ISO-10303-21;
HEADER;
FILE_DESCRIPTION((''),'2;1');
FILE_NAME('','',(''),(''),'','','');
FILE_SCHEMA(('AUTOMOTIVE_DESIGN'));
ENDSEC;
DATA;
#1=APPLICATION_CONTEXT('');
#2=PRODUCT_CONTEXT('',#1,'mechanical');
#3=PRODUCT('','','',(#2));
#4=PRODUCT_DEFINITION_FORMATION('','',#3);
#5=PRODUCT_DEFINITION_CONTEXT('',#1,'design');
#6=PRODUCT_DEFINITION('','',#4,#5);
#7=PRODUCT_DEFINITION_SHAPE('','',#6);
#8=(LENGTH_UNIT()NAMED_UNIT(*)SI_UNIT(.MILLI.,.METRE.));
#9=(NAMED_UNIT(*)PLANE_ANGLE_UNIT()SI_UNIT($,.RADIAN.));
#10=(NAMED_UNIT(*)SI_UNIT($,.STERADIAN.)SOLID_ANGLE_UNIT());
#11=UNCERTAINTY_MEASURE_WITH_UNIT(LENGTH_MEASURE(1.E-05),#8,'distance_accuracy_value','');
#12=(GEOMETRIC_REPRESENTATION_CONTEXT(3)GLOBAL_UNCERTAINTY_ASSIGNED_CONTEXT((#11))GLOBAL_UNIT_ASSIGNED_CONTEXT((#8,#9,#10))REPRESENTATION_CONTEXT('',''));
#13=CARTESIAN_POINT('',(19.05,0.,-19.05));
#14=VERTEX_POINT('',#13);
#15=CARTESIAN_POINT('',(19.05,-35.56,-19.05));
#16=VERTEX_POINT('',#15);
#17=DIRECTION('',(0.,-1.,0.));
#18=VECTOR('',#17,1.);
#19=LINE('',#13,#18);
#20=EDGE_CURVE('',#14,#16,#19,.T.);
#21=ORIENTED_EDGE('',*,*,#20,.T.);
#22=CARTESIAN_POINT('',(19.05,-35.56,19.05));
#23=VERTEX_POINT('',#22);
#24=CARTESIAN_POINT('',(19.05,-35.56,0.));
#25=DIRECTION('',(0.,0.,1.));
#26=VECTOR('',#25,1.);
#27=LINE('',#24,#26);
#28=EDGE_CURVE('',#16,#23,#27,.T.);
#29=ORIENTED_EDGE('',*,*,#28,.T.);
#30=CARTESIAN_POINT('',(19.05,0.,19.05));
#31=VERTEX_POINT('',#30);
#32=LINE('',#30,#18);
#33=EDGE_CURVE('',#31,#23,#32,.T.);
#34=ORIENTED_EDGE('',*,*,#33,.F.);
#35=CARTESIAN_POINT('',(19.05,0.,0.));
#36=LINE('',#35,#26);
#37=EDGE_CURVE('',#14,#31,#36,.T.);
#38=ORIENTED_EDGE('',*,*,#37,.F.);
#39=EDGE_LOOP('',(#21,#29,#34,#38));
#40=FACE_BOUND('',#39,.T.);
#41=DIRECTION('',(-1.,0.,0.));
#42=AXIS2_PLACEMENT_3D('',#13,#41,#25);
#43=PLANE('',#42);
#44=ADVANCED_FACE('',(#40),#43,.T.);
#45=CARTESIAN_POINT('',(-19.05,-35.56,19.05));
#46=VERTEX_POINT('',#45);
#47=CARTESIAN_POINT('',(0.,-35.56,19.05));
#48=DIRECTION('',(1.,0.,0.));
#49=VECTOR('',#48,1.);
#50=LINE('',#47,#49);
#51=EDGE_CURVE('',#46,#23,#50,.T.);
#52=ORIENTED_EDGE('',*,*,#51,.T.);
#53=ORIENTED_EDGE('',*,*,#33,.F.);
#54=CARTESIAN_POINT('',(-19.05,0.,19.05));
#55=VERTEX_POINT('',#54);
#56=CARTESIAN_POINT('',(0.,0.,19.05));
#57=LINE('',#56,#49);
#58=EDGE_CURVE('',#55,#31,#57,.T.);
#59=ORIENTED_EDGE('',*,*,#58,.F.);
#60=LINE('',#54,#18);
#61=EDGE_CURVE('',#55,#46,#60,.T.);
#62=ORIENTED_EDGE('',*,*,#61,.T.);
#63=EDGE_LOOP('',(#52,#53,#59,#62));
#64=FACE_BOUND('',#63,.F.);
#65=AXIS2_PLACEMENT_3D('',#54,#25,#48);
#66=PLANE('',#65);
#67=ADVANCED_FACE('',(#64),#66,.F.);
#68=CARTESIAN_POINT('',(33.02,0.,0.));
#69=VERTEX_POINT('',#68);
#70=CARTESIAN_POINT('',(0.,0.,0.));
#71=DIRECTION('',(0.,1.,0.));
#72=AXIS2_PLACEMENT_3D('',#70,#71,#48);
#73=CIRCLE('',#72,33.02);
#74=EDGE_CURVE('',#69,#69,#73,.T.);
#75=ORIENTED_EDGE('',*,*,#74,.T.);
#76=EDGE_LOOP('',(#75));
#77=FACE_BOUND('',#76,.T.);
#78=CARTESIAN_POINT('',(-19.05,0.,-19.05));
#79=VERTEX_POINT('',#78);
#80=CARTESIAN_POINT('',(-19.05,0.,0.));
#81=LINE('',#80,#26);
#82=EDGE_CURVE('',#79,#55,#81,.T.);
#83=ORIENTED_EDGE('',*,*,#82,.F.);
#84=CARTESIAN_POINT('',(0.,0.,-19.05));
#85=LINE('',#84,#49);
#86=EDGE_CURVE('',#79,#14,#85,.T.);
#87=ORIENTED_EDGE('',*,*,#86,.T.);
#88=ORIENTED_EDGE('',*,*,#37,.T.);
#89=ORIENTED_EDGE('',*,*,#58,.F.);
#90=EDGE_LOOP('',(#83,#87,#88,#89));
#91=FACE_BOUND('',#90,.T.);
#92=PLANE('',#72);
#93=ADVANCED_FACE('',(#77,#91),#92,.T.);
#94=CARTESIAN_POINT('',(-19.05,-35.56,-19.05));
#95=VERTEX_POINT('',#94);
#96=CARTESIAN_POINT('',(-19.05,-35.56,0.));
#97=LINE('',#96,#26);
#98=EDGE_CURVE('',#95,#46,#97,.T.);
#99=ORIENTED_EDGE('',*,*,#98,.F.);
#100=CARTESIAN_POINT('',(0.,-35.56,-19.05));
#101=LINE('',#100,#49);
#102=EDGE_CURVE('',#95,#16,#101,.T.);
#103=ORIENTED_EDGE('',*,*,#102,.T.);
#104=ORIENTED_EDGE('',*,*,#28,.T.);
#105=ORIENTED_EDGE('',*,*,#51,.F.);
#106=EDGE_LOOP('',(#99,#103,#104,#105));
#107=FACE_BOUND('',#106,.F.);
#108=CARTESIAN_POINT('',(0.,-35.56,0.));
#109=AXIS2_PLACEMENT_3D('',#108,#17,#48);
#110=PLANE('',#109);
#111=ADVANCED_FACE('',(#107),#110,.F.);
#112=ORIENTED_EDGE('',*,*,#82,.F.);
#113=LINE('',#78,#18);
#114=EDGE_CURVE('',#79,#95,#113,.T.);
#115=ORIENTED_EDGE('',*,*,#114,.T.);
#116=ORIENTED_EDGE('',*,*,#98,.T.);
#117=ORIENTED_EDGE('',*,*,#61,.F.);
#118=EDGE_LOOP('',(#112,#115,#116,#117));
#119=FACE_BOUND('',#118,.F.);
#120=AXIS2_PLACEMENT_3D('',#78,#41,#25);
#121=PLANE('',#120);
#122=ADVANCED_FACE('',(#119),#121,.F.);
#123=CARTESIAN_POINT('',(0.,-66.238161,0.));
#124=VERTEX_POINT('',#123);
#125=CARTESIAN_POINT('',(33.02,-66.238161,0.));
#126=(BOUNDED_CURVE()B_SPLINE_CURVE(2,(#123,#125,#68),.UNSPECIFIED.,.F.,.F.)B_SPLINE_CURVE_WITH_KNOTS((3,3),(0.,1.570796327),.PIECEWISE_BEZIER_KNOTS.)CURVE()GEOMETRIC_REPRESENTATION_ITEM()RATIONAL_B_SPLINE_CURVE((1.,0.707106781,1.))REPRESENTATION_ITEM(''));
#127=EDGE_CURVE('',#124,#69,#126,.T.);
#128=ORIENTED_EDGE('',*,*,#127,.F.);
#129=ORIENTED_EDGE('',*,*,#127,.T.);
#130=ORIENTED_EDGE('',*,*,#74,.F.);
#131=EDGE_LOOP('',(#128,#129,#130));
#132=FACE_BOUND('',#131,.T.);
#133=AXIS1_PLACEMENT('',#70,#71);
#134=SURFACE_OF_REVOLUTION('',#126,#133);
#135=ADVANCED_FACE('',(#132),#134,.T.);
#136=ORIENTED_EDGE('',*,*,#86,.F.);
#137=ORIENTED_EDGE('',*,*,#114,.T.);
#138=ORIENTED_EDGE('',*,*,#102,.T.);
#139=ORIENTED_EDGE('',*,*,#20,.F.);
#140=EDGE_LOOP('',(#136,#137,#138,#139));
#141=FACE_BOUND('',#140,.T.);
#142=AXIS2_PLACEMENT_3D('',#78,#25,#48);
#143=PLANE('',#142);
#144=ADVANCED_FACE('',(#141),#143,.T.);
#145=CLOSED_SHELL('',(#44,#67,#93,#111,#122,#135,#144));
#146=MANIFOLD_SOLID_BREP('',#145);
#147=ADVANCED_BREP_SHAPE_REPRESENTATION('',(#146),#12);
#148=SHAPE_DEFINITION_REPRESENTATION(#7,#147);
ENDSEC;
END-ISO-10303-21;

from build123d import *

# Parameters (mm, degrees)
F0_W     = 38.1
F0_H     = 38.1
F3_DEPTH = 35.56


with BuildPart() as f2:
    # F1 (on Top) → F2 (revolve)
    with BuildSketch(Plane.XY):
        with BuildLine():
            Line((0, 0), (0, -66.2381609123))
            add(Edge.make_bspline(
                [(0, -66.2381609123), (33.02, -66.2381609123), (33.02, 0)],
                knots=[0, 0, 0, 1.5707963268, 1.5707963268, 1.5707963268], degree=2, weights=[1, 0.7071067812, 1]))
            Line((33.02, 0), (0, 0))
        make_face()
    revolve(axis=Axis((0, 0, 0), (0, 1, 0)))

    # F0 (on Front) → F3 (cut)
    with BuildSketch(Plane.XZ):
        Rectangle(F0_W, F0_H)
    extrude(amount=F3_DEPTH, mode=Mode.SUBTRACT)


solid = f2.part
